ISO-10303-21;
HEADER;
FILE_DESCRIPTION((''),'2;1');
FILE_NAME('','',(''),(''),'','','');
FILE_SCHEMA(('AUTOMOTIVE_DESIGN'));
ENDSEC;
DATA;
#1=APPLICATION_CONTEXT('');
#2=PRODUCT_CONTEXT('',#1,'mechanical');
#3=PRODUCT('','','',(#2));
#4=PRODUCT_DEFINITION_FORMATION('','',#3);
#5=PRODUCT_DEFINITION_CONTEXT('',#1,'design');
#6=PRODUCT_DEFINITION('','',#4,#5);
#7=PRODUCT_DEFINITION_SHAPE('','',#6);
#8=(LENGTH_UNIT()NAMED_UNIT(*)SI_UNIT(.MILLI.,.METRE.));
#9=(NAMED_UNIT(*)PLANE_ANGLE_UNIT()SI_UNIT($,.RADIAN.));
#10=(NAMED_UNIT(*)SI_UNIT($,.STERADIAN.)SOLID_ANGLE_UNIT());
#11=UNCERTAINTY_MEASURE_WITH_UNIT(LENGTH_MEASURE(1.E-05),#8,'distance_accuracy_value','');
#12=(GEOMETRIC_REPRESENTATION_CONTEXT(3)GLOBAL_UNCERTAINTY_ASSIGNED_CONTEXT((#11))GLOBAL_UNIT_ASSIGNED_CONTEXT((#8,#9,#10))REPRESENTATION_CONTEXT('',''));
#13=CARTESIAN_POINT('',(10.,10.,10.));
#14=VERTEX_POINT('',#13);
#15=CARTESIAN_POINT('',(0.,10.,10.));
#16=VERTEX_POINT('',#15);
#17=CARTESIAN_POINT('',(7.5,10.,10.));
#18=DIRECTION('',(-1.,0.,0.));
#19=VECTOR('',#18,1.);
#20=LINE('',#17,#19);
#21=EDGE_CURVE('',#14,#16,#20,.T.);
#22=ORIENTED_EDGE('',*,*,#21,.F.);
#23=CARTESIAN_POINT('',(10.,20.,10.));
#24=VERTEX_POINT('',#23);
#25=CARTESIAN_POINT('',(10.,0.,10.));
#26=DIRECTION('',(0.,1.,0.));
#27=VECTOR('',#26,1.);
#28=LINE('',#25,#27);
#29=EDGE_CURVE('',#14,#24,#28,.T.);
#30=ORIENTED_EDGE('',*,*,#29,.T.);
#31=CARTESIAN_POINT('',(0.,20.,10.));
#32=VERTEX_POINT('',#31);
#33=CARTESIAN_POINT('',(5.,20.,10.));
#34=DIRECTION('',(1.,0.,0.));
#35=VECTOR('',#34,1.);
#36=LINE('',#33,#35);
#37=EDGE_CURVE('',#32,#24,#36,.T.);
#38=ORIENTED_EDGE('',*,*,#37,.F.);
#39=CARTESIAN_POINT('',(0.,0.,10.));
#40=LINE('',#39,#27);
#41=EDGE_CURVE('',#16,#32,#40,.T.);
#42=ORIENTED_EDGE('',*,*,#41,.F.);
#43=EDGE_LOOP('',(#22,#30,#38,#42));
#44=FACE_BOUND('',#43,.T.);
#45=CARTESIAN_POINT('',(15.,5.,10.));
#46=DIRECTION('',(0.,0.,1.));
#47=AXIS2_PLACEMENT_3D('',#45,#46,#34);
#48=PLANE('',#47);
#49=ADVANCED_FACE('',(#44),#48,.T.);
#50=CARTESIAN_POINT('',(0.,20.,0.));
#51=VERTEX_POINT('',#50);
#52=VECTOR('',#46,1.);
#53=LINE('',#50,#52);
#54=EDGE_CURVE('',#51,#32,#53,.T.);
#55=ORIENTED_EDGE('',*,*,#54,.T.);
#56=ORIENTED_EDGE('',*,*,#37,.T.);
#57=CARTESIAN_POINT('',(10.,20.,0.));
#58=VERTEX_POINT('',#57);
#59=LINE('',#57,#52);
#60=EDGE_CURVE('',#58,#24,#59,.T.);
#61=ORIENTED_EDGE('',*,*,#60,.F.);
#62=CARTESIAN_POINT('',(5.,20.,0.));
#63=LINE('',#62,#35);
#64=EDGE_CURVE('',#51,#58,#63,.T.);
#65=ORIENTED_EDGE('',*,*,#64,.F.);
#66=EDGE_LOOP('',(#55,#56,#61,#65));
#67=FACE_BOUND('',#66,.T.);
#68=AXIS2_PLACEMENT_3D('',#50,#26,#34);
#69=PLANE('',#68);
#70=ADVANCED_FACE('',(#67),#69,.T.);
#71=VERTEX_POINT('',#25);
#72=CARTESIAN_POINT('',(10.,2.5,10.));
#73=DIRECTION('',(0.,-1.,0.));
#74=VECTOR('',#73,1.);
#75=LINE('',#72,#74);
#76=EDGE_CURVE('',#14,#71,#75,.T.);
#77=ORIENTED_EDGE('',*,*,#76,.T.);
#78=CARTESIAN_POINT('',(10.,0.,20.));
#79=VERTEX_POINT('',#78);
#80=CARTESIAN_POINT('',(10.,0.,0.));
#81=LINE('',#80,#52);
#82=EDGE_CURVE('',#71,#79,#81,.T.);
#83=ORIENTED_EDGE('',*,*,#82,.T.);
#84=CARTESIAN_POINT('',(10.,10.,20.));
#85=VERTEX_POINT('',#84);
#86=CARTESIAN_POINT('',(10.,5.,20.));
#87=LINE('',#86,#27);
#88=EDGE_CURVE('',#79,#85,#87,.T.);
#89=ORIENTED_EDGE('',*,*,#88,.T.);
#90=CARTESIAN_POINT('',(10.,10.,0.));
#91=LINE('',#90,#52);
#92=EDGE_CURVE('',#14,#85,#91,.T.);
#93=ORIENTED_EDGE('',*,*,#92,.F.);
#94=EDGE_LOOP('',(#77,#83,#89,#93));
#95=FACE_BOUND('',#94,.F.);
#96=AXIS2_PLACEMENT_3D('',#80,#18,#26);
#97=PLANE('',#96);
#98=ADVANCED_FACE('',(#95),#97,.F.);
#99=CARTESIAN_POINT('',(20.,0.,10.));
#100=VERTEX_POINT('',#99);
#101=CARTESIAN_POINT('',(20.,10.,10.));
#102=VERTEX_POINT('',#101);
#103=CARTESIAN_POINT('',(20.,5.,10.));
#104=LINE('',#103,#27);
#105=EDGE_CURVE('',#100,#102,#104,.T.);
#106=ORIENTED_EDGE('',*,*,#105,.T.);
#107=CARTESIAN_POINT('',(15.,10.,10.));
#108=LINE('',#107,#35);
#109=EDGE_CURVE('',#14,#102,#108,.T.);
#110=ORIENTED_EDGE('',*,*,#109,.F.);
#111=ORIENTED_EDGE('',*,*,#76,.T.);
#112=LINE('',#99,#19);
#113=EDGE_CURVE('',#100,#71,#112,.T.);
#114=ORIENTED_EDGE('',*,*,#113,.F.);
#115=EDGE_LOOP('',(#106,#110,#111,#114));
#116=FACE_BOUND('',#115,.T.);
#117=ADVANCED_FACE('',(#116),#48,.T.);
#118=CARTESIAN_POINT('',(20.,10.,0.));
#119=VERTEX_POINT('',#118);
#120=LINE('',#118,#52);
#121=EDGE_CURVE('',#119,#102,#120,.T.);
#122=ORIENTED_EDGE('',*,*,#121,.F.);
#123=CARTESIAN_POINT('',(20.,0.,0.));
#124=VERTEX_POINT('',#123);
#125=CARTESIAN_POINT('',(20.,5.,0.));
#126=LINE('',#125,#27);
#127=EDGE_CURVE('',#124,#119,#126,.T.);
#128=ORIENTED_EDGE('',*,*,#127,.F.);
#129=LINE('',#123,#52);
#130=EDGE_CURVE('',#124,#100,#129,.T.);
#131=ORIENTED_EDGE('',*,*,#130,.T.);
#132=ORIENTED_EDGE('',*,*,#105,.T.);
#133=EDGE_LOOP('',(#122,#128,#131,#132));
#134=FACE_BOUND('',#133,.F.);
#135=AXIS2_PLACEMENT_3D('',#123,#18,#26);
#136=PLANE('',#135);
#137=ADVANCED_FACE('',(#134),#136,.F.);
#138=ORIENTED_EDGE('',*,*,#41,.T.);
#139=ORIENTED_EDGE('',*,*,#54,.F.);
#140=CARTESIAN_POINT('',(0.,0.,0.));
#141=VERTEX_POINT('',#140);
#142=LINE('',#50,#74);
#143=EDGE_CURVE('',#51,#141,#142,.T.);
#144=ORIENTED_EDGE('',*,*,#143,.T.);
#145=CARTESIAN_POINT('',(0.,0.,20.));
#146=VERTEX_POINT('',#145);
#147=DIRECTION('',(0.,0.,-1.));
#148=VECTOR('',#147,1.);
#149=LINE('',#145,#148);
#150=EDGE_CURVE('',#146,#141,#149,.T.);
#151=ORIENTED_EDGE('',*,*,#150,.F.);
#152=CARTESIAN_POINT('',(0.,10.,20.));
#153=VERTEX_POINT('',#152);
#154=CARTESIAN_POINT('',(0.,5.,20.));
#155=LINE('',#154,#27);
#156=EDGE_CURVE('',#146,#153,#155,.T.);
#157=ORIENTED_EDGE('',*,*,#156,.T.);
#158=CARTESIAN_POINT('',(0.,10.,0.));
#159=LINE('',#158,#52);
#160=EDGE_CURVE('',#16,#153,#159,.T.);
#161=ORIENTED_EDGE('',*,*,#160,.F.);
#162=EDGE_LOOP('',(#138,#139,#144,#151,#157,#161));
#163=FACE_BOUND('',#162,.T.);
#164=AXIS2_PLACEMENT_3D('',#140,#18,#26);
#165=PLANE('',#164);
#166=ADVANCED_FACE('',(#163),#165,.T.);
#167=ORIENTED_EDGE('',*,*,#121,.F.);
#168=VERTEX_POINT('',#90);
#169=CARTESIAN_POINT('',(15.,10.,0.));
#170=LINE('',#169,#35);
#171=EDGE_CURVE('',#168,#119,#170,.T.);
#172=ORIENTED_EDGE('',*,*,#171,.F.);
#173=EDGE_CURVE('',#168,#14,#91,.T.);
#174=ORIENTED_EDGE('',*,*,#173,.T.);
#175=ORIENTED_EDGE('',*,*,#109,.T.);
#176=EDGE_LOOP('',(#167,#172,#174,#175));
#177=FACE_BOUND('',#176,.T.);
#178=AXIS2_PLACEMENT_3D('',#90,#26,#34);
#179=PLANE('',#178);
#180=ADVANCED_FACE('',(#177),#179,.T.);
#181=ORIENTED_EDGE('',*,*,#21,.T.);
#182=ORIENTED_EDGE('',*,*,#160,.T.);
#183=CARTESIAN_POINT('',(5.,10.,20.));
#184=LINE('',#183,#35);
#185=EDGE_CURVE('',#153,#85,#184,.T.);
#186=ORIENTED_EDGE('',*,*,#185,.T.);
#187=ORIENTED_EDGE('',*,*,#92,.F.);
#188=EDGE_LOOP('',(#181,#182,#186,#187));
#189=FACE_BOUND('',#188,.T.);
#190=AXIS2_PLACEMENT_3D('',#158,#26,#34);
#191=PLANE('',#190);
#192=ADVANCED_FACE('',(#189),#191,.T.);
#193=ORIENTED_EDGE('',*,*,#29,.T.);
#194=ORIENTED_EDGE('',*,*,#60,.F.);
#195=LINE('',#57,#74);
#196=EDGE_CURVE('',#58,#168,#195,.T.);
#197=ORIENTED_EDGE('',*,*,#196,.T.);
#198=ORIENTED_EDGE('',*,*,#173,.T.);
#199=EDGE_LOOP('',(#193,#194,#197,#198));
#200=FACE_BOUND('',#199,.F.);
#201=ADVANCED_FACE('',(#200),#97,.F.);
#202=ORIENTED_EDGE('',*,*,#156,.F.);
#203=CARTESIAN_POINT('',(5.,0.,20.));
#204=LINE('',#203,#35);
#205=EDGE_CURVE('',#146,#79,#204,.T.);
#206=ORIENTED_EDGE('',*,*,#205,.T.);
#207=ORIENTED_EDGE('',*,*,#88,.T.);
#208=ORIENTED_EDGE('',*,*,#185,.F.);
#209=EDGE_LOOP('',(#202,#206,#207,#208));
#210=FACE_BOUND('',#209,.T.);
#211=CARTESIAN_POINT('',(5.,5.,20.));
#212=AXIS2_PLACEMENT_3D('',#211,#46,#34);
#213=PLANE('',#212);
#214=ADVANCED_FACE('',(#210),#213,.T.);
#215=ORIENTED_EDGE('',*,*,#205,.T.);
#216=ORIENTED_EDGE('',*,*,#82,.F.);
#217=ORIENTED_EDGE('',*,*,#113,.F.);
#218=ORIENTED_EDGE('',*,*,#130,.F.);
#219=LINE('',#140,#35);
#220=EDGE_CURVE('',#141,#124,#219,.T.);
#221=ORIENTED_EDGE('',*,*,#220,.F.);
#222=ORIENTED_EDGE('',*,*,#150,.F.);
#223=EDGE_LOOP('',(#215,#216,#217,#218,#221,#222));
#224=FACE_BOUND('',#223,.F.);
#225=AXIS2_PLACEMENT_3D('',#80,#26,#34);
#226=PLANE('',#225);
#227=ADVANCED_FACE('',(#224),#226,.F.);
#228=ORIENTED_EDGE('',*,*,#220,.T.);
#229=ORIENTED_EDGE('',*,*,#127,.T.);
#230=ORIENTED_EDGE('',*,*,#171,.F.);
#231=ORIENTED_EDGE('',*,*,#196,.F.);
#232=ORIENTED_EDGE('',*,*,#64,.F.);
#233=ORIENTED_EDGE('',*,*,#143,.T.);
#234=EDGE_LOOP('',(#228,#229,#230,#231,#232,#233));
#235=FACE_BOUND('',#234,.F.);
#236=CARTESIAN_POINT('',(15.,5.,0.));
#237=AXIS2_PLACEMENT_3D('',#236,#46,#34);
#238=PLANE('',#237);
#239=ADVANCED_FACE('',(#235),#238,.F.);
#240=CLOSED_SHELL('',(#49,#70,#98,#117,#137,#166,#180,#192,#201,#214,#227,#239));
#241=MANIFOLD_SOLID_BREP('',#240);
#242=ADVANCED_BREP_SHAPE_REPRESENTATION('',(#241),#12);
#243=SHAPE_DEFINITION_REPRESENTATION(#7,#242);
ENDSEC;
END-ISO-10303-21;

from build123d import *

# Parameters (mm, degrees)
BOX001_W     = 10
BOX001_H     = 10
BOX001_DEPTH = 10
BOX002_W     = 10
BOX002_H     = 10
BOX002_DEPTH = 10
BOX003_W     = 10
BOX003_H     = 10
BOX003_DEPTH = 20
BOX_W        = 10
BOX_H        = 10
BOX_DEPTH    = 10


with BuildPart() as cubo2:
    # Box001 → Box001 (new body)
    with BuildSketch(Plane.XY):
        with Locations((5, 5)):
            Rectangle(BOX001_W, BOX001_H)
    extrude(amount=BOX001_DEPTH)


with BuildPart() as cubo3:
    # Box002 → Box002 (new body)
    with BuildSketch(Plane(origin=(10, 0, 0), x_dir=(1, 0, 0), z_dir=(0, 0, 1))):
        with Locations((5, 5)):
            Rectangle(BOX002_W, BOX002_H)
    extrude(amount=BOX002_DEPTH)


with BuildPart() as cubo4:
    # Box003 → Box003 (new body)
    with BuildSketch(Plane.XY):
        with Locations((5, 5)):
            Rectangle(BOX003_W, BOX003_H)
    extrude(amount=BOX003_DEPTH)


with BuildPart() as qubert2_fusion:
    # Box → Box (new body)
    with BuildSketch(Plane(origin=(0, 10, 0), x_dir=(1, 0, 0), z_dir=(0, 0, 1))):
        with Locations((5, 5)):
            Rectangle(BOX_W, BOX_H)
    extrude(amount=BOX_DEPTH)

    # Fusion: union cubo2, cubo3, cubo4
    add(cubo2.part)
    add(cubo3.part)
    add(cubo4.part)


solid = qubert2_fusion.part
